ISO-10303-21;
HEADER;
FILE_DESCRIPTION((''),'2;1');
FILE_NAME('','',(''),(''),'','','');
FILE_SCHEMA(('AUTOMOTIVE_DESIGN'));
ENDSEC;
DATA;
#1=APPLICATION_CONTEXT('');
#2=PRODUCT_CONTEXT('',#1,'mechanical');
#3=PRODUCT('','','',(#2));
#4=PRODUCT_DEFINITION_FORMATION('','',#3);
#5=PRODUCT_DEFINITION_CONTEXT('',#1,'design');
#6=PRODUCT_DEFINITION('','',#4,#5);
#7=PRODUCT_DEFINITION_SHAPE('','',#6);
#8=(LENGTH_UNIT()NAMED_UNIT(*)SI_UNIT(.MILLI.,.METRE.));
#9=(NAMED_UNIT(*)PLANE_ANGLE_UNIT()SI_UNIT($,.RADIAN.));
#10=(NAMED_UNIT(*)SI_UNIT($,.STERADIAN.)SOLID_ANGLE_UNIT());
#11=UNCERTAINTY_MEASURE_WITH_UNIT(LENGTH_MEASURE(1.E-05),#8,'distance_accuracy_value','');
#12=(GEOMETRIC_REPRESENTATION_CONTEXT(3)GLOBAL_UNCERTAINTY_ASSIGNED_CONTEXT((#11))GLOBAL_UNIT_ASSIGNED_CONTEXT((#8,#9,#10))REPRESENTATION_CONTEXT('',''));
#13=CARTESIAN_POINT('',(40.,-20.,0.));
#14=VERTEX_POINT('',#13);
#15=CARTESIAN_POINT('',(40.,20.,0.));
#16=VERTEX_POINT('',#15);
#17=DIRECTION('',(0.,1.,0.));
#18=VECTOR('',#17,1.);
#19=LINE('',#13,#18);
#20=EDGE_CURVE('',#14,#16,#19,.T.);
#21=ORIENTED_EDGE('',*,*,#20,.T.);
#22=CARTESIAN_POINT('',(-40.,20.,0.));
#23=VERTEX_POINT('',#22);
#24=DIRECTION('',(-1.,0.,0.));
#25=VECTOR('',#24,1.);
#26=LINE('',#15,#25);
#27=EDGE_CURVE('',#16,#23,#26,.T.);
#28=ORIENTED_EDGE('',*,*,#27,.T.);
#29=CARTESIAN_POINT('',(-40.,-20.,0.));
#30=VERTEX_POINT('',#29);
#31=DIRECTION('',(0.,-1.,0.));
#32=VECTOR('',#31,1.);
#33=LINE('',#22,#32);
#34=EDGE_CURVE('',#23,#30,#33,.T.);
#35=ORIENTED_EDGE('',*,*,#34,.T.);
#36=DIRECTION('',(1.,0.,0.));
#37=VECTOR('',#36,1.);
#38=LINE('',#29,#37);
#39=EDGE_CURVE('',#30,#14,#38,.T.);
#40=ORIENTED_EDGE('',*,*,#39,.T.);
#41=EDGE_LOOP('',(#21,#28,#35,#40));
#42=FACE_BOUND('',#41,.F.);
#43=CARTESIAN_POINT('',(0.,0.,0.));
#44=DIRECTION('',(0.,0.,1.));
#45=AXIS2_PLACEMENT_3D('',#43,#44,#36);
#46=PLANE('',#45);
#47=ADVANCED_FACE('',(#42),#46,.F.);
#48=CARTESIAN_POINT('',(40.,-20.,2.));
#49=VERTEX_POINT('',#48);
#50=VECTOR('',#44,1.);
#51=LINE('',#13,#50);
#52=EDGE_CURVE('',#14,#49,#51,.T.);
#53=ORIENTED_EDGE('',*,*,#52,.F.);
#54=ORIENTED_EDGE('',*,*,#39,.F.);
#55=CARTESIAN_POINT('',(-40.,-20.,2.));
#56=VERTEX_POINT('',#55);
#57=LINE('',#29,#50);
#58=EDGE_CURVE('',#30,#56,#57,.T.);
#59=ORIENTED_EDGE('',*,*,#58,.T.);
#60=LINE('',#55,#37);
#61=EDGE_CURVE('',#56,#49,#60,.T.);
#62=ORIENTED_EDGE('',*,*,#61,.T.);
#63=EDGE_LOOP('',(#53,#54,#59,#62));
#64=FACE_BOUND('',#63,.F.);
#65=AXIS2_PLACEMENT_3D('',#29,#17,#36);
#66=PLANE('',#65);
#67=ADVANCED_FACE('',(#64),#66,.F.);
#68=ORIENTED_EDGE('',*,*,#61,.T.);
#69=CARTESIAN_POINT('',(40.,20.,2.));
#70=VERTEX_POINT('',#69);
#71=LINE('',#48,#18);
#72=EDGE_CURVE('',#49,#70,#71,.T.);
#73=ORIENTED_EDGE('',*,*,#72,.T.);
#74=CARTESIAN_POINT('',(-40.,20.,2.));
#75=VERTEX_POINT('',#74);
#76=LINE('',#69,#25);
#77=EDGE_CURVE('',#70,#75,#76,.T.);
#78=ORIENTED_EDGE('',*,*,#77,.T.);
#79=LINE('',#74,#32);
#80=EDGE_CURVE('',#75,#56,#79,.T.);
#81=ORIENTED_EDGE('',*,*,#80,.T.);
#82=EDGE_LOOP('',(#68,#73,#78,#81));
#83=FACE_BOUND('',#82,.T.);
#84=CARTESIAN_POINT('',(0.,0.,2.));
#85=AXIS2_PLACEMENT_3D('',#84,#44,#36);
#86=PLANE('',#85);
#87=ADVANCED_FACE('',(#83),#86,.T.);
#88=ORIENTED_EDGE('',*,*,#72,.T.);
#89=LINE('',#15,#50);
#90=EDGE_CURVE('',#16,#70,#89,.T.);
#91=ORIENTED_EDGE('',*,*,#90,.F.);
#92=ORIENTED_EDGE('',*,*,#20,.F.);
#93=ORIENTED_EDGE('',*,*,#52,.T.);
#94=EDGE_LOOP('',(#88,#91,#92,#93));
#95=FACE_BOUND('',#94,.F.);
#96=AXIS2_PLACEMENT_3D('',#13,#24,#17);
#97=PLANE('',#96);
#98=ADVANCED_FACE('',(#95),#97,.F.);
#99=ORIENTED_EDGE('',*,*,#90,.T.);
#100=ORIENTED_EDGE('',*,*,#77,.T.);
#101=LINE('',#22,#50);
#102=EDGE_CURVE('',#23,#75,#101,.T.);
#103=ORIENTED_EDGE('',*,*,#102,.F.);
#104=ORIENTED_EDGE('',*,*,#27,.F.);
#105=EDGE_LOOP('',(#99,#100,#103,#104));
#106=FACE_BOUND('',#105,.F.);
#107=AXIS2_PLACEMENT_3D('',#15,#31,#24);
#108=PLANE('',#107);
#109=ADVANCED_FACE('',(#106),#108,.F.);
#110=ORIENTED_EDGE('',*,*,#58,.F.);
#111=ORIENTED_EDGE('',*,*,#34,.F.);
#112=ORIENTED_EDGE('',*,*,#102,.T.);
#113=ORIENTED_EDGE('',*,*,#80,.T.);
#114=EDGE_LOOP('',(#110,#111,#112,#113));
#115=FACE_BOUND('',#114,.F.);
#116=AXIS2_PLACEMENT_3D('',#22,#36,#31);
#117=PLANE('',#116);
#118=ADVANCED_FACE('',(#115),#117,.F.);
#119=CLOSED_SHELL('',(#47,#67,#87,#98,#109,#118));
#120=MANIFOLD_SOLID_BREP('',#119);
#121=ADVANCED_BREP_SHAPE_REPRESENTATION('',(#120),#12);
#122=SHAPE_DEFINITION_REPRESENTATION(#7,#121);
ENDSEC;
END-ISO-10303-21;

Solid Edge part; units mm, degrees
sketch "Sketch1" plane through (0, 0, 0) normal (0, 0, 1) x (1, 0, 0)
  line L0 (-40, -20) -> (40, -20)
  line L1 (40, -20) -> (40, 20)
  line L2 (40, 20) -> (-40, 20)
  line L3 (-40, 20) -> (-40, -20)
extrude "Protrusion1" add sketch "Sketch1" along normal blind 2
